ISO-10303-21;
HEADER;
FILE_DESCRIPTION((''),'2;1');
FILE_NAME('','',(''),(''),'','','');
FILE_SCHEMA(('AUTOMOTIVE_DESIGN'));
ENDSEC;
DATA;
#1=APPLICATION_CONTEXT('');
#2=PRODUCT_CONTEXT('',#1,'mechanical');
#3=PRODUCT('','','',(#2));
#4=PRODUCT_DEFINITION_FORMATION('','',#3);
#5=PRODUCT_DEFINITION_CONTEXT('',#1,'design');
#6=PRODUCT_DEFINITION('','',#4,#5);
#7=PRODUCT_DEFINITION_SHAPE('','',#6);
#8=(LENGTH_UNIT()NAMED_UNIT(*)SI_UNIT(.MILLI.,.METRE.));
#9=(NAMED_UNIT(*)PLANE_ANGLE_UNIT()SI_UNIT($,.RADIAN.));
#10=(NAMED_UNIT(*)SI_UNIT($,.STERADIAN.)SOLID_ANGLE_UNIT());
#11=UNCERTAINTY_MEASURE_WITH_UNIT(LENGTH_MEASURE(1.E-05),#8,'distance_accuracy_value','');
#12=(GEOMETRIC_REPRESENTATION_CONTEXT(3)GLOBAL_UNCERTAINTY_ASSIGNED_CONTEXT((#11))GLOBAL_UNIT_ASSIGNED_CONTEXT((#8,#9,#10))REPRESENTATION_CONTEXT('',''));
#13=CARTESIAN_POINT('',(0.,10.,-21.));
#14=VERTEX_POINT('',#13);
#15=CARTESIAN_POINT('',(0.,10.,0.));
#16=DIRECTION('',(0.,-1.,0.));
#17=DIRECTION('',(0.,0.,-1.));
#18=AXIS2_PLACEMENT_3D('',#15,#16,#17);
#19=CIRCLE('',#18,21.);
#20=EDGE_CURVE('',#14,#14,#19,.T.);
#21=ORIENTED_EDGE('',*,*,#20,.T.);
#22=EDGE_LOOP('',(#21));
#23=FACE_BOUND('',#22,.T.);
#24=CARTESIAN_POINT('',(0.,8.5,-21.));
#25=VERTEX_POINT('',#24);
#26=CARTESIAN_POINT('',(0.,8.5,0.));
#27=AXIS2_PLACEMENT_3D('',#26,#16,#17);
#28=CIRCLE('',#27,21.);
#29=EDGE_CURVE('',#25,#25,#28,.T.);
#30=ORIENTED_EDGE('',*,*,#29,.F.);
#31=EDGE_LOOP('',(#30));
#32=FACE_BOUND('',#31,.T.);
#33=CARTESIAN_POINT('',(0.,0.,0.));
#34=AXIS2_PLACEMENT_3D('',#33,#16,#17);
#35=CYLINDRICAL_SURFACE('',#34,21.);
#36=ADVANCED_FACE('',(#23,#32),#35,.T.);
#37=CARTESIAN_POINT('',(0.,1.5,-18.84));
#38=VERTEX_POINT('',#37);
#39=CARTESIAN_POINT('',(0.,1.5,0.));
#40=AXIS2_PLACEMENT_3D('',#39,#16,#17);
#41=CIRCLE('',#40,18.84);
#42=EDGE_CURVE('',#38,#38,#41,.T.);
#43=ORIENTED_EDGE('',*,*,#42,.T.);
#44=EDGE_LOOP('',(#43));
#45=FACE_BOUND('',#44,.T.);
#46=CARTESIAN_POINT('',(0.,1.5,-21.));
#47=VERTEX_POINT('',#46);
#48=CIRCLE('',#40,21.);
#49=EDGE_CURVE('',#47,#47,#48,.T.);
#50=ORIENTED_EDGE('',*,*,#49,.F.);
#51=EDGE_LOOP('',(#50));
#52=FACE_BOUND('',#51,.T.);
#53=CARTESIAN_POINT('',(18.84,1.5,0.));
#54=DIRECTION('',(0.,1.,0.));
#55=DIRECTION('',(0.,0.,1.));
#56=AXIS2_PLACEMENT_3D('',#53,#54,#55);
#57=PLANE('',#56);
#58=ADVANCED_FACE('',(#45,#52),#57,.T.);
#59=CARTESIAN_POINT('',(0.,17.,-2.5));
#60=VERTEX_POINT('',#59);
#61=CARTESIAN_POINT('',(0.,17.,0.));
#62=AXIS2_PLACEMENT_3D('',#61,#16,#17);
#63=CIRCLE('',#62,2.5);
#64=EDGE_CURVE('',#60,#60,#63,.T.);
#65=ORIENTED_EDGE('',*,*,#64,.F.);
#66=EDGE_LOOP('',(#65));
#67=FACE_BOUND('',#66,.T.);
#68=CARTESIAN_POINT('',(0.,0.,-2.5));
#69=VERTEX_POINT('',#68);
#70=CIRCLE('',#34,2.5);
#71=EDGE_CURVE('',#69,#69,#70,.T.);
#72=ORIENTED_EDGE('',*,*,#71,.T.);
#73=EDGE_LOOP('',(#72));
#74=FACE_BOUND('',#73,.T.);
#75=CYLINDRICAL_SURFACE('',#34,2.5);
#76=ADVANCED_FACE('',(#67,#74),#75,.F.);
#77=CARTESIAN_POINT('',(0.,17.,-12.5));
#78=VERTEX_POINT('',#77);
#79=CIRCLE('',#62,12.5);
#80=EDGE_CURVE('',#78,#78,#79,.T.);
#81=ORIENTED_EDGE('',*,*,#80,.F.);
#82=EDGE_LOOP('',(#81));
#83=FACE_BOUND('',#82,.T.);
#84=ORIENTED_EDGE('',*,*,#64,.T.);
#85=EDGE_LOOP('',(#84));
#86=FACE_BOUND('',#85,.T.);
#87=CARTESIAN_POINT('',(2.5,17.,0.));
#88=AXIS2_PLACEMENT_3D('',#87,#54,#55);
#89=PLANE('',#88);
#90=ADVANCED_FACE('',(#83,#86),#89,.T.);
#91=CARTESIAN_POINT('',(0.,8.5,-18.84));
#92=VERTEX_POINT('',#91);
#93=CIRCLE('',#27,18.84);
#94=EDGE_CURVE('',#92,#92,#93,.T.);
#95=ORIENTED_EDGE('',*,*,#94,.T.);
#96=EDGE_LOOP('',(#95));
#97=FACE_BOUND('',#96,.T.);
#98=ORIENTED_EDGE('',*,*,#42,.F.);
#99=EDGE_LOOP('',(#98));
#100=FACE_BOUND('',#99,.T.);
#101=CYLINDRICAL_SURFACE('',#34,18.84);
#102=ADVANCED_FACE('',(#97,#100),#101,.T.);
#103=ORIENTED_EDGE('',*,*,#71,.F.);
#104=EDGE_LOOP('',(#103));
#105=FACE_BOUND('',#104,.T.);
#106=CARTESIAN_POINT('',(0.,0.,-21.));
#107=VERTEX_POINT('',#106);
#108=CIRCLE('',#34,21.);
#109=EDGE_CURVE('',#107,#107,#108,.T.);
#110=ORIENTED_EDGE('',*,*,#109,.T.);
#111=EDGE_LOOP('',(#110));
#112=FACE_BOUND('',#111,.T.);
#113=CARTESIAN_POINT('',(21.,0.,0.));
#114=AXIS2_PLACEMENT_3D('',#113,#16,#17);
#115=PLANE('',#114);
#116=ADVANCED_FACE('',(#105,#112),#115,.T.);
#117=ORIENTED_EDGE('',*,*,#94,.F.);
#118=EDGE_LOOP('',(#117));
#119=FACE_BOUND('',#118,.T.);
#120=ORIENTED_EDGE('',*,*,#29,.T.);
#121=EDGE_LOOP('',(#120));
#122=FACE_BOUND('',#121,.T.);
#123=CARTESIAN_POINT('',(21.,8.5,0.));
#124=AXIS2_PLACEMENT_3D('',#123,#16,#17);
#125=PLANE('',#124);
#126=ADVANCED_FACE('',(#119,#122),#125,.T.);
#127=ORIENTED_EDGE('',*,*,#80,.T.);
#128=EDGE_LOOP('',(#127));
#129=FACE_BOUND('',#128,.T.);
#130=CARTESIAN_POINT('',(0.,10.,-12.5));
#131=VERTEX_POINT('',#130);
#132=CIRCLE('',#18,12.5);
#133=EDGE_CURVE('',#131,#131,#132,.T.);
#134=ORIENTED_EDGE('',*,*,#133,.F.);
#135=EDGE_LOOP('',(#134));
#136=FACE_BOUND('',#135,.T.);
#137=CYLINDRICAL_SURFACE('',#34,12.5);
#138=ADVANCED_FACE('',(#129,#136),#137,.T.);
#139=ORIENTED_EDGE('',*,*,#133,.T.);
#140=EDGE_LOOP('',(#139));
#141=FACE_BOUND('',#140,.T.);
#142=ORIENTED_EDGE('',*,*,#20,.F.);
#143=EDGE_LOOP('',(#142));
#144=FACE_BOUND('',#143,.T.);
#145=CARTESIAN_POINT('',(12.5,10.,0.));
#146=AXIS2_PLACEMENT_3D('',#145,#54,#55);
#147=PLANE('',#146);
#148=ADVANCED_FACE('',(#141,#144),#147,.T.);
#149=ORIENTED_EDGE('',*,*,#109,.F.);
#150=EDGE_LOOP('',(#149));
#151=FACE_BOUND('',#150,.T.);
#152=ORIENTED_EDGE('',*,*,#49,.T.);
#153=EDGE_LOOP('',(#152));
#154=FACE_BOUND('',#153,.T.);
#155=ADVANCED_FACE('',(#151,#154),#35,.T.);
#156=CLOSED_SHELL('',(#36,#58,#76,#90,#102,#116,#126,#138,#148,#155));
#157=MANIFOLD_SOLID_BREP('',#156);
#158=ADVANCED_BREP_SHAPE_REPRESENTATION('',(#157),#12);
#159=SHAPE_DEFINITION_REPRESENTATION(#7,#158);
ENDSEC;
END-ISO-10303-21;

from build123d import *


with BuildPart() as part:
    # Sketch1 → Revolve1 (revolve)
    with BuildSketch(Plane.XY, mode=Mode.PRIVATE) as revolve1_sk:
        Polygon((2.5, 0), (2.5, 17), (12.5, 17), (12.5, 10), (21, 10), (21, 8.5), (18.84, 8.5), (18.84, 1.5), (21, 1.5), (21, 0), align=None)
    revolve(revolve1_sk.sketch.rotate(Axis((0, 0, 0), (0, 1, 0)), 90), axis=Axis((0, 0, 0), (0, 1, 0)))


solid = part.part
